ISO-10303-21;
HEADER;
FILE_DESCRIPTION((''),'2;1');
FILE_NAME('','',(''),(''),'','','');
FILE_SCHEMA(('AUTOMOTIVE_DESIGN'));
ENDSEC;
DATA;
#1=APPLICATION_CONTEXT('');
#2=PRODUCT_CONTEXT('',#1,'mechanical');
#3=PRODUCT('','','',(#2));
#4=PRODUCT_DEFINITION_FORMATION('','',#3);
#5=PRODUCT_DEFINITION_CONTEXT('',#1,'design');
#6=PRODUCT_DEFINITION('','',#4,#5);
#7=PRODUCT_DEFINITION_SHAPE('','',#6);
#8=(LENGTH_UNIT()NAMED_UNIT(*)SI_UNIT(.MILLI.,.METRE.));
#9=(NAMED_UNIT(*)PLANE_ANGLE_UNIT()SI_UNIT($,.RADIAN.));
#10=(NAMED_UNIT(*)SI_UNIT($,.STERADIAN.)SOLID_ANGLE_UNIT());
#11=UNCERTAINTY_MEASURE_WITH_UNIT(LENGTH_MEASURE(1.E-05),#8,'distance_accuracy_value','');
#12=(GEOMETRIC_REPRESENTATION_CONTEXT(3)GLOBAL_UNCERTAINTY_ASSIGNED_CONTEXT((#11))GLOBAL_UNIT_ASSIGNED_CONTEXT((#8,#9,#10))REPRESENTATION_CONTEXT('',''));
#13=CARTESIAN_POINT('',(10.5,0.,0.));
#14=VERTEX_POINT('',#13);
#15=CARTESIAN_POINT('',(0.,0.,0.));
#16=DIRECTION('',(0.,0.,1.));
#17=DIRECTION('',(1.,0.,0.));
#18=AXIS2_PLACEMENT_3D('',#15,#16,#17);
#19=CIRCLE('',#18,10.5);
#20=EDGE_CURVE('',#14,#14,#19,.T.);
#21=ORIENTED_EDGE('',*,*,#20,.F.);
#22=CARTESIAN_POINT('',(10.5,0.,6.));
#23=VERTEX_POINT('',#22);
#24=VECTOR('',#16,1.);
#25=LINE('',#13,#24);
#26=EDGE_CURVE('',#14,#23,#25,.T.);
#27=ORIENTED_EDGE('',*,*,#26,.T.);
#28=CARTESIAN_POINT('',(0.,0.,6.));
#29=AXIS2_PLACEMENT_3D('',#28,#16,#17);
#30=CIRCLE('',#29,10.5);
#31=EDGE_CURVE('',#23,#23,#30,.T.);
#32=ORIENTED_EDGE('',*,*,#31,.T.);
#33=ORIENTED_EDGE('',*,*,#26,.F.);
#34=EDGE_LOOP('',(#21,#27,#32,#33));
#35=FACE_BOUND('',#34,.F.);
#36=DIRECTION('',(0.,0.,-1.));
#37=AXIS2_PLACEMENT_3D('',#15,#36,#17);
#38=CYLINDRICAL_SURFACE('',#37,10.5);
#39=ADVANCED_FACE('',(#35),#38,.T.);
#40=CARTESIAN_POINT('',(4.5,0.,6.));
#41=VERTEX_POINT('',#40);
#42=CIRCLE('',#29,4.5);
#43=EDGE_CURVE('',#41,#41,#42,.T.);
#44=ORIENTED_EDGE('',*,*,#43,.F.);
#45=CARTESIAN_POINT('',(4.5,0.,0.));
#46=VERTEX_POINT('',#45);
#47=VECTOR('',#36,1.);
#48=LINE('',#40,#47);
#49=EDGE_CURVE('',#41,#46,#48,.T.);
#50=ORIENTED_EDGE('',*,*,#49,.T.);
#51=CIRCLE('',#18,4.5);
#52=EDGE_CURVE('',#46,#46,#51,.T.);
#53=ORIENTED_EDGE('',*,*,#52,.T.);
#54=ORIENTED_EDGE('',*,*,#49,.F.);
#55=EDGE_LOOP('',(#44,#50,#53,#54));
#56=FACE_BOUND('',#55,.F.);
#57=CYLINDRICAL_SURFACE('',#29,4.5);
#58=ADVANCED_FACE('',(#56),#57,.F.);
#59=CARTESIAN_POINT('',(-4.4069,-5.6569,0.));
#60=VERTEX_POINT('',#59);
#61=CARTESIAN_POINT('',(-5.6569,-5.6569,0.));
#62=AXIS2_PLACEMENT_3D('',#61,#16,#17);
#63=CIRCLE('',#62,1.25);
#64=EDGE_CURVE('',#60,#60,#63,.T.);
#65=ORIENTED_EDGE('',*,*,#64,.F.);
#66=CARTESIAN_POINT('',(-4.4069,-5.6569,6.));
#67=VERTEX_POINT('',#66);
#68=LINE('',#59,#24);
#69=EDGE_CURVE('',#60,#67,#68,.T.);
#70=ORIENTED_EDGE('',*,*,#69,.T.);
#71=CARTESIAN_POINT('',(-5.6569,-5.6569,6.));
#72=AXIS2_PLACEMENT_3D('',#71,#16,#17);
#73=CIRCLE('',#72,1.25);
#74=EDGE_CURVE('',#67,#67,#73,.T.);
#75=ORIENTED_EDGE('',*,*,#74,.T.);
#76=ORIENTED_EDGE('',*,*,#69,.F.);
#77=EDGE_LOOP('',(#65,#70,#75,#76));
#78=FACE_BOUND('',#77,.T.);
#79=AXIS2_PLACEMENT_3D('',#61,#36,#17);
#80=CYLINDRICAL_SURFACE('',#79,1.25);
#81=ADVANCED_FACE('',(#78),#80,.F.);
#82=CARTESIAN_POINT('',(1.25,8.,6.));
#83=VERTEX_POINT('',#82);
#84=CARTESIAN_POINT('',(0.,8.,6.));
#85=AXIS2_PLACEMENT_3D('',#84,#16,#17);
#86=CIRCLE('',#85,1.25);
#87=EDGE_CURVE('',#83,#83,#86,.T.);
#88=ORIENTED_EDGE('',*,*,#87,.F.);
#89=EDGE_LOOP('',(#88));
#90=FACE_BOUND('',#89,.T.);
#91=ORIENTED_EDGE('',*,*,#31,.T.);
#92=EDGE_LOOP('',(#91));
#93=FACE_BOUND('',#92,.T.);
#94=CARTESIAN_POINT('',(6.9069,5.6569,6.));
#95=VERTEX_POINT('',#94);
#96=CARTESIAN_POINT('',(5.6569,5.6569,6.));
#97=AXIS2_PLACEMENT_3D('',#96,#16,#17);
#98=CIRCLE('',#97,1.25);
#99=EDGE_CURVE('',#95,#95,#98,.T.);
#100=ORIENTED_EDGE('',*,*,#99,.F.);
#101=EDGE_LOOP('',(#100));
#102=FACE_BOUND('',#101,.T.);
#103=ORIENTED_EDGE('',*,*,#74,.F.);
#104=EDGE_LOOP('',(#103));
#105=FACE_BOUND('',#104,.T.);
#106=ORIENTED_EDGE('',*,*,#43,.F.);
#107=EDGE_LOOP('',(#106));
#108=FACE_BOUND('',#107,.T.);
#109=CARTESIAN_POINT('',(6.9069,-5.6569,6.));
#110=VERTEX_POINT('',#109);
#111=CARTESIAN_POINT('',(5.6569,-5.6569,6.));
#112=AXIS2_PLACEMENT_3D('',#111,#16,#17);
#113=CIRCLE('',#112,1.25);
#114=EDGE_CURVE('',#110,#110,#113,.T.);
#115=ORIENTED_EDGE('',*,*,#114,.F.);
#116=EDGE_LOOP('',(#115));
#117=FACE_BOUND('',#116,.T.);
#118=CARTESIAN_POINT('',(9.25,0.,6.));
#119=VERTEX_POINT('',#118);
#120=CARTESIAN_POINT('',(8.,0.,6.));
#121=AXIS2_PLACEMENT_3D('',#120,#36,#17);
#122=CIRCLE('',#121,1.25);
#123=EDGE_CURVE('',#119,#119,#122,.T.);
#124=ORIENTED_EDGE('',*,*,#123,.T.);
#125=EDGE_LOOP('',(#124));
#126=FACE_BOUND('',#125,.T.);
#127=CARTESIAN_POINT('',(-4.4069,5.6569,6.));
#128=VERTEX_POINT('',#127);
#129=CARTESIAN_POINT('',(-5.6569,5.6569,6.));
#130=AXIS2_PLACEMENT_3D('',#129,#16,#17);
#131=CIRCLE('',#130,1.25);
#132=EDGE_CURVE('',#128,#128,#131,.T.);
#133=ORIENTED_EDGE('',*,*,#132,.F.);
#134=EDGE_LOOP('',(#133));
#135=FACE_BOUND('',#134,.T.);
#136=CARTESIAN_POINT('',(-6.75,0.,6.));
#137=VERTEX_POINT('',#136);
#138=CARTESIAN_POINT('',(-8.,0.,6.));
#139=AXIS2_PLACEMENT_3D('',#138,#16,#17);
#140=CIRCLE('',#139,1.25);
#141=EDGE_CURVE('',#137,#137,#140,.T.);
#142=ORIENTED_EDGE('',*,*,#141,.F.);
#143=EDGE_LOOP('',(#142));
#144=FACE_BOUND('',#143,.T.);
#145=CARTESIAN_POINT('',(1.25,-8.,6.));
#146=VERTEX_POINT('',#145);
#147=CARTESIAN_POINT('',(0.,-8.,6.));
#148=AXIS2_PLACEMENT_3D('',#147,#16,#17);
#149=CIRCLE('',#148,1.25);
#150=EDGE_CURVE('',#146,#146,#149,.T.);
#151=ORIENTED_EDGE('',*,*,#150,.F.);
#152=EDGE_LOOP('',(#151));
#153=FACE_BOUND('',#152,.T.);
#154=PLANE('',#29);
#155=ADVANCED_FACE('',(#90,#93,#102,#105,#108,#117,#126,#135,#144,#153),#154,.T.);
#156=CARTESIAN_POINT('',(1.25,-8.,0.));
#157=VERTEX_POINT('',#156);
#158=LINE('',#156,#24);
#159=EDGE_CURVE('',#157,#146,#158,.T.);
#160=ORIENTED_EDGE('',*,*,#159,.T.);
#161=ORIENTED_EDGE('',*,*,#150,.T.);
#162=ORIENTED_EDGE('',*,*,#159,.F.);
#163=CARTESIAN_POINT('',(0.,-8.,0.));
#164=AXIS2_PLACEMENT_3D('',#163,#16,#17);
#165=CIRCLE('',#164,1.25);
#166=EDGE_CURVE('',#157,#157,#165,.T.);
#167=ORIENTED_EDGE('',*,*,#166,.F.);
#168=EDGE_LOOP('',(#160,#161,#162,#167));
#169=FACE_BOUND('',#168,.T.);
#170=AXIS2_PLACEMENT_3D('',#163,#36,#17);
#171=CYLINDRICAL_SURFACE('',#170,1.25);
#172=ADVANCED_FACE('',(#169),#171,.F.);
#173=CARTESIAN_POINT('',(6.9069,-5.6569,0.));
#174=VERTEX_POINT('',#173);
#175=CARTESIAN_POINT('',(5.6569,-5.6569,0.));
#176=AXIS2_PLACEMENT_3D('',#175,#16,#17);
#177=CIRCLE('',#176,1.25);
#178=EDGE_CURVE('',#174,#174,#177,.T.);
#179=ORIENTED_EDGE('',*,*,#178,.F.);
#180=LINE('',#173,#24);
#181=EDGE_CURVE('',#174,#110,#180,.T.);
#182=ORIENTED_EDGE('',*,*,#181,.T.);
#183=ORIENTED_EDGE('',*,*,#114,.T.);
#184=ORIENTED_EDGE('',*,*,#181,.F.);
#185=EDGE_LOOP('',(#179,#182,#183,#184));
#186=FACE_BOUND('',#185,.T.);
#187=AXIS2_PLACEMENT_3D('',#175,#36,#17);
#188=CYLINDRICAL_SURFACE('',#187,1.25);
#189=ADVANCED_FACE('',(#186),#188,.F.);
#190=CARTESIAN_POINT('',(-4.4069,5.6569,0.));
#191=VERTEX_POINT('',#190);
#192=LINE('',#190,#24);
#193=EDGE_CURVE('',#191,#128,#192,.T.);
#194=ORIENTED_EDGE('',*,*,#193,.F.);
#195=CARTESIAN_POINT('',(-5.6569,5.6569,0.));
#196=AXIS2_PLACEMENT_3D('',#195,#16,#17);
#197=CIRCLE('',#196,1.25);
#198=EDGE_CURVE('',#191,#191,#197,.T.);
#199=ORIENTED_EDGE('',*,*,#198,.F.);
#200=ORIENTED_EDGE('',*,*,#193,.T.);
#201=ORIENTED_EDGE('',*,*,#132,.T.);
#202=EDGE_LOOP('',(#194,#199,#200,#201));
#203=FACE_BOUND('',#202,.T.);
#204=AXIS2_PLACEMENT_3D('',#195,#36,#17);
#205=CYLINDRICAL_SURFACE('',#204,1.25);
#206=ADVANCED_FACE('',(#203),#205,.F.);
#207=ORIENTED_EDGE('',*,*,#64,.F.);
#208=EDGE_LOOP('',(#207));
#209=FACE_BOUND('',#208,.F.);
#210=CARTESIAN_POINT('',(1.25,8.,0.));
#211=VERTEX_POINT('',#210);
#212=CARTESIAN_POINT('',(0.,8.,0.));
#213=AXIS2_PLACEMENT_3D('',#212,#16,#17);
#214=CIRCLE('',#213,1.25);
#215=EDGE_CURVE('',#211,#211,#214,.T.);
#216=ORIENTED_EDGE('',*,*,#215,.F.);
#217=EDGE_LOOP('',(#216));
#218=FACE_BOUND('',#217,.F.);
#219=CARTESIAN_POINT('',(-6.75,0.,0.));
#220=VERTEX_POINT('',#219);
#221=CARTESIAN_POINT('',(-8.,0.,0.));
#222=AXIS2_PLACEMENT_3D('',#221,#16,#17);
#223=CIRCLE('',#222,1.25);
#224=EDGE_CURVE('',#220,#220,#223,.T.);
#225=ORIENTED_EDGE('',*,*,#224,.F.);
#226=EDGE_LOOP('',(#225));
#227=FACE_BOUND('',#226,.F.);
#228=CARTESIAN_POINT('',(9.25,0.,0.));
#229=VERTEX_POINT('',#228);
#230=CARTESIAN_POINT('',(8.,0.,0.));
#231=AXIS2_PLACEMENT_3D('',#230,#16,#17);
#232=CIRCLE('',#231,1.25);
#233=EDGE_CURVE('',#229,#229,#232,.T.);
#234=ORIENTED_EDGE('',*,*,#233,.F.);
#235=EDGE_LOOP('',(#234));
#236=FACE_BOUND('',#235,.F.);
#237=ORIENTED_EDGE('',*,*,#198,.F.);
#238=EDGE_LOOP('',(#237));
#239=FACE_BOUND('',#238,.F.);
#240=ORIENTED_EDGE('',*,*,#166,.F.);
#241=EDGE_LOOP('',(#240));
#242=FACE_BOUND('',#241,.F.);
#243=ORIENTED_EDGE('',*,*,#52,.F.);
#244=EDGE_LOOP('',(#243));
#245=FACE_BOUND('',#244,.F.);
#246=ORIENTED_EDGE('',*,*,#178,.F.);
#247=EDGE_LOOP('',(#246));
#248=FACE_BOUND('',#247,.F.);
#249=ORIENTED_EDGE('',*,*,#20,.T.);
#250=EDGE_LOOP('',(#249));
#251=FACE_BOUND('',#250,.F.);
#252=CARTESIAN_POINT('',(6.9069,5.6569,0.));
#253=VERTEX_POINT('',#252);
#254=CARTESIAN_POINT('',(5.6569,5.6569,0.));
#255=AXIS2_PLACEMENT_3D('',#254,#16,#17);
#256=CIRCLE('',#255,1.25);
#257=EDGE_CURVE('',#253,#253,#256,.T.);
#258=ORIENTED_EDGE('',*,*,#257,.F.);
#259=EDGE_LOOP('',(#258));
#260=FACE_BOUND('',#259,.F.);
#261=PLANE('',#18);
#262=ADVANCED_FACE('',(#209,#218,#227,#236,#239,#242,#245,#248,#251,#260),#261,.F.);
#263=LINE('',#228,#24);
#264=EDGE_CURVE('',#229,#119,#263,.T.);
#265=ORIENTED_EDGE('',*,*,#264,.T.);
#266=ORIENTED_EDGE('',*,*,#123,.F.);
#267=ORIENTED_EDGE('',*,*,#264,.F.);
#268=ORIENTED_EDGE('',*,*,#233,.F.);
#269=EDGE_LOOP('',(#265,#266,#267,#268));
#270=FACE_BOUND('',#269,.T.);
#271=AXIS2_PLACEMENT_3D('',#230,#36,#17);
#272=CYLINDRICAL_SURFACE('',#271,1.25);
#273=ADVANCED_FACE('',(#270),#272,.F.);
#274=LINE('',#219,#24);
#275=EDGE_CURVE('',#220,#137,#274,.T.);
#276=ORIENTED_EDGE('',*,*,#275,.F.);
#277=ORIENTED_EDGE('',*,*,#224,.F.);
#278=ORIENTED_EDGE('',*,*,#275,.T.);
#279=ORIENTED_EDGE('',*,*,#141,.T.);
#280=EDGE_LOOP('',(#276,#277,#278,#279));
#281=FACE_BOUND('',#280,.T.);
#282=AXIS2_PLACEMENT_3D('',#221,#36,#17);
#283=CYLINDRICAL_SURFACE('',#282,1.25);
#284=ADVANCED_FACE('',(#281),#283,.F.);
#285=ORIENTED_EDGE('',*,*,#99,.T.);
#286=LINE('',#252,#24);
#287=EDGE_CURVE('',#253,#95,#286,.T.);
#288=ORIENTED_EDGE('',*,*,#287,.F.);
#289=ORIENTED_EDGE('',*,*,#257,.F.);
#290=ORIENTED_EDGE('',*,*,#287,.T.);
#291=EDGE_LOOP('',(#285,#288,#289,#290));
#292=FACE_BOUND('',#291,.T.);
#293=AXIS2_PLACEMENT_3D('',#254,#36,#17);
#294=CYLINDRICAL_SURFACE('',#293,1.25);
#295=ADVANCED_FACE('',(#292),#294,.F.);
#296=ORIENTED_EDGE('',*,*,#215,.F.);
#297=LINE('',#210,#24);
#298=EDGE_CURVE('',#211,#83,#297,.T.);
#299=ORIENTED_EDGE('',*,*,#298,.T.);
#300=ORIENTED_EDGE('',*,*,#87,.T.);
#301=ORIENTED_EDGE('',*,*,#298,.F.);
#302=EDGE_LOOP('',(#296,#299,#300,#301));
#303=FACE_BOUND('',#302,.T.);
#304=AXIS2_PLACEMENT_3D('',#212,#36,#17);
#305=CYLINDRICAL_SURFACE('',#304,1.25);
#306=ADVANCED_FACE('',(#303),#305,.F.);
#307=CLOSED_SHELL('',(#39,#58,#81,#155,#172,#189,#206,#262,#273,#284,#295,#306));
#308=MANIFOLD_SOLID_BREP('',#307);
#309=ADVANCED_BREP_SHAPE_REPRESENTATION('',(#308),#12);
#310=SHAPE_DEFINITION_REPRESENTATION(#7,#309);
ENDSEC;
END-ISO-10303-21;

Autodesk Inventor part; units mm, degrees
ref_plane "YZ Plane" through (0, 0, 0) normal (1, 0, 0) x (0, 1, 0)
ref_plane "XZ Plane" through (0, 0, 0) normal (0, 1, 0) x (-1, 0, 0)
ref_plane "XY Plane" through (0, 0, 0) normal (0, 0, 1) x (1, 0, 0)
sketch "Sketch1" plane through (0, 0, 0) normal (0, 0, 1) x (1, 0, 0)
  circle A0 centre (0, 0) radius 10.5
  line L0 (0, 0) -> (8, 0)
  circle A1 centre (8, 0) radius 1.25
  circle A2 centre (5.6569, 5.6569) radius 1.25
  circle A3 centre (0, 8) radius 1.25
  circle A4 centre (-5.6569, 5.6569) radius 1.25
  circle A5 centre (-8, 0) radius 1.25
  circle A6 centre (-5.6569, -5.6569) radius 1.25
  circle A7 centre (0, -8) radius 1.25
  circle A8 centre (5.6569, -5.6569) radius 1.25
  dimension "d0" = 21
  dimension "d1" = 8
  dimension "d2" = 2.5
  dimension "d5" = 360
extrude "Extrusion1" add sketch "Sketch1" along normal blind 6
sketch "Sketch2" plane through (0, 0, 6) normal (0, 0, 1) x (1, 0, 0)
  circle A0 centre (0, 0) radius 4.5
  dimension "d9" = 9
extrude "Extrusion2" cut sketch "Sketch2" against normal blind 6
properties part number "Motor_horn_mount"
